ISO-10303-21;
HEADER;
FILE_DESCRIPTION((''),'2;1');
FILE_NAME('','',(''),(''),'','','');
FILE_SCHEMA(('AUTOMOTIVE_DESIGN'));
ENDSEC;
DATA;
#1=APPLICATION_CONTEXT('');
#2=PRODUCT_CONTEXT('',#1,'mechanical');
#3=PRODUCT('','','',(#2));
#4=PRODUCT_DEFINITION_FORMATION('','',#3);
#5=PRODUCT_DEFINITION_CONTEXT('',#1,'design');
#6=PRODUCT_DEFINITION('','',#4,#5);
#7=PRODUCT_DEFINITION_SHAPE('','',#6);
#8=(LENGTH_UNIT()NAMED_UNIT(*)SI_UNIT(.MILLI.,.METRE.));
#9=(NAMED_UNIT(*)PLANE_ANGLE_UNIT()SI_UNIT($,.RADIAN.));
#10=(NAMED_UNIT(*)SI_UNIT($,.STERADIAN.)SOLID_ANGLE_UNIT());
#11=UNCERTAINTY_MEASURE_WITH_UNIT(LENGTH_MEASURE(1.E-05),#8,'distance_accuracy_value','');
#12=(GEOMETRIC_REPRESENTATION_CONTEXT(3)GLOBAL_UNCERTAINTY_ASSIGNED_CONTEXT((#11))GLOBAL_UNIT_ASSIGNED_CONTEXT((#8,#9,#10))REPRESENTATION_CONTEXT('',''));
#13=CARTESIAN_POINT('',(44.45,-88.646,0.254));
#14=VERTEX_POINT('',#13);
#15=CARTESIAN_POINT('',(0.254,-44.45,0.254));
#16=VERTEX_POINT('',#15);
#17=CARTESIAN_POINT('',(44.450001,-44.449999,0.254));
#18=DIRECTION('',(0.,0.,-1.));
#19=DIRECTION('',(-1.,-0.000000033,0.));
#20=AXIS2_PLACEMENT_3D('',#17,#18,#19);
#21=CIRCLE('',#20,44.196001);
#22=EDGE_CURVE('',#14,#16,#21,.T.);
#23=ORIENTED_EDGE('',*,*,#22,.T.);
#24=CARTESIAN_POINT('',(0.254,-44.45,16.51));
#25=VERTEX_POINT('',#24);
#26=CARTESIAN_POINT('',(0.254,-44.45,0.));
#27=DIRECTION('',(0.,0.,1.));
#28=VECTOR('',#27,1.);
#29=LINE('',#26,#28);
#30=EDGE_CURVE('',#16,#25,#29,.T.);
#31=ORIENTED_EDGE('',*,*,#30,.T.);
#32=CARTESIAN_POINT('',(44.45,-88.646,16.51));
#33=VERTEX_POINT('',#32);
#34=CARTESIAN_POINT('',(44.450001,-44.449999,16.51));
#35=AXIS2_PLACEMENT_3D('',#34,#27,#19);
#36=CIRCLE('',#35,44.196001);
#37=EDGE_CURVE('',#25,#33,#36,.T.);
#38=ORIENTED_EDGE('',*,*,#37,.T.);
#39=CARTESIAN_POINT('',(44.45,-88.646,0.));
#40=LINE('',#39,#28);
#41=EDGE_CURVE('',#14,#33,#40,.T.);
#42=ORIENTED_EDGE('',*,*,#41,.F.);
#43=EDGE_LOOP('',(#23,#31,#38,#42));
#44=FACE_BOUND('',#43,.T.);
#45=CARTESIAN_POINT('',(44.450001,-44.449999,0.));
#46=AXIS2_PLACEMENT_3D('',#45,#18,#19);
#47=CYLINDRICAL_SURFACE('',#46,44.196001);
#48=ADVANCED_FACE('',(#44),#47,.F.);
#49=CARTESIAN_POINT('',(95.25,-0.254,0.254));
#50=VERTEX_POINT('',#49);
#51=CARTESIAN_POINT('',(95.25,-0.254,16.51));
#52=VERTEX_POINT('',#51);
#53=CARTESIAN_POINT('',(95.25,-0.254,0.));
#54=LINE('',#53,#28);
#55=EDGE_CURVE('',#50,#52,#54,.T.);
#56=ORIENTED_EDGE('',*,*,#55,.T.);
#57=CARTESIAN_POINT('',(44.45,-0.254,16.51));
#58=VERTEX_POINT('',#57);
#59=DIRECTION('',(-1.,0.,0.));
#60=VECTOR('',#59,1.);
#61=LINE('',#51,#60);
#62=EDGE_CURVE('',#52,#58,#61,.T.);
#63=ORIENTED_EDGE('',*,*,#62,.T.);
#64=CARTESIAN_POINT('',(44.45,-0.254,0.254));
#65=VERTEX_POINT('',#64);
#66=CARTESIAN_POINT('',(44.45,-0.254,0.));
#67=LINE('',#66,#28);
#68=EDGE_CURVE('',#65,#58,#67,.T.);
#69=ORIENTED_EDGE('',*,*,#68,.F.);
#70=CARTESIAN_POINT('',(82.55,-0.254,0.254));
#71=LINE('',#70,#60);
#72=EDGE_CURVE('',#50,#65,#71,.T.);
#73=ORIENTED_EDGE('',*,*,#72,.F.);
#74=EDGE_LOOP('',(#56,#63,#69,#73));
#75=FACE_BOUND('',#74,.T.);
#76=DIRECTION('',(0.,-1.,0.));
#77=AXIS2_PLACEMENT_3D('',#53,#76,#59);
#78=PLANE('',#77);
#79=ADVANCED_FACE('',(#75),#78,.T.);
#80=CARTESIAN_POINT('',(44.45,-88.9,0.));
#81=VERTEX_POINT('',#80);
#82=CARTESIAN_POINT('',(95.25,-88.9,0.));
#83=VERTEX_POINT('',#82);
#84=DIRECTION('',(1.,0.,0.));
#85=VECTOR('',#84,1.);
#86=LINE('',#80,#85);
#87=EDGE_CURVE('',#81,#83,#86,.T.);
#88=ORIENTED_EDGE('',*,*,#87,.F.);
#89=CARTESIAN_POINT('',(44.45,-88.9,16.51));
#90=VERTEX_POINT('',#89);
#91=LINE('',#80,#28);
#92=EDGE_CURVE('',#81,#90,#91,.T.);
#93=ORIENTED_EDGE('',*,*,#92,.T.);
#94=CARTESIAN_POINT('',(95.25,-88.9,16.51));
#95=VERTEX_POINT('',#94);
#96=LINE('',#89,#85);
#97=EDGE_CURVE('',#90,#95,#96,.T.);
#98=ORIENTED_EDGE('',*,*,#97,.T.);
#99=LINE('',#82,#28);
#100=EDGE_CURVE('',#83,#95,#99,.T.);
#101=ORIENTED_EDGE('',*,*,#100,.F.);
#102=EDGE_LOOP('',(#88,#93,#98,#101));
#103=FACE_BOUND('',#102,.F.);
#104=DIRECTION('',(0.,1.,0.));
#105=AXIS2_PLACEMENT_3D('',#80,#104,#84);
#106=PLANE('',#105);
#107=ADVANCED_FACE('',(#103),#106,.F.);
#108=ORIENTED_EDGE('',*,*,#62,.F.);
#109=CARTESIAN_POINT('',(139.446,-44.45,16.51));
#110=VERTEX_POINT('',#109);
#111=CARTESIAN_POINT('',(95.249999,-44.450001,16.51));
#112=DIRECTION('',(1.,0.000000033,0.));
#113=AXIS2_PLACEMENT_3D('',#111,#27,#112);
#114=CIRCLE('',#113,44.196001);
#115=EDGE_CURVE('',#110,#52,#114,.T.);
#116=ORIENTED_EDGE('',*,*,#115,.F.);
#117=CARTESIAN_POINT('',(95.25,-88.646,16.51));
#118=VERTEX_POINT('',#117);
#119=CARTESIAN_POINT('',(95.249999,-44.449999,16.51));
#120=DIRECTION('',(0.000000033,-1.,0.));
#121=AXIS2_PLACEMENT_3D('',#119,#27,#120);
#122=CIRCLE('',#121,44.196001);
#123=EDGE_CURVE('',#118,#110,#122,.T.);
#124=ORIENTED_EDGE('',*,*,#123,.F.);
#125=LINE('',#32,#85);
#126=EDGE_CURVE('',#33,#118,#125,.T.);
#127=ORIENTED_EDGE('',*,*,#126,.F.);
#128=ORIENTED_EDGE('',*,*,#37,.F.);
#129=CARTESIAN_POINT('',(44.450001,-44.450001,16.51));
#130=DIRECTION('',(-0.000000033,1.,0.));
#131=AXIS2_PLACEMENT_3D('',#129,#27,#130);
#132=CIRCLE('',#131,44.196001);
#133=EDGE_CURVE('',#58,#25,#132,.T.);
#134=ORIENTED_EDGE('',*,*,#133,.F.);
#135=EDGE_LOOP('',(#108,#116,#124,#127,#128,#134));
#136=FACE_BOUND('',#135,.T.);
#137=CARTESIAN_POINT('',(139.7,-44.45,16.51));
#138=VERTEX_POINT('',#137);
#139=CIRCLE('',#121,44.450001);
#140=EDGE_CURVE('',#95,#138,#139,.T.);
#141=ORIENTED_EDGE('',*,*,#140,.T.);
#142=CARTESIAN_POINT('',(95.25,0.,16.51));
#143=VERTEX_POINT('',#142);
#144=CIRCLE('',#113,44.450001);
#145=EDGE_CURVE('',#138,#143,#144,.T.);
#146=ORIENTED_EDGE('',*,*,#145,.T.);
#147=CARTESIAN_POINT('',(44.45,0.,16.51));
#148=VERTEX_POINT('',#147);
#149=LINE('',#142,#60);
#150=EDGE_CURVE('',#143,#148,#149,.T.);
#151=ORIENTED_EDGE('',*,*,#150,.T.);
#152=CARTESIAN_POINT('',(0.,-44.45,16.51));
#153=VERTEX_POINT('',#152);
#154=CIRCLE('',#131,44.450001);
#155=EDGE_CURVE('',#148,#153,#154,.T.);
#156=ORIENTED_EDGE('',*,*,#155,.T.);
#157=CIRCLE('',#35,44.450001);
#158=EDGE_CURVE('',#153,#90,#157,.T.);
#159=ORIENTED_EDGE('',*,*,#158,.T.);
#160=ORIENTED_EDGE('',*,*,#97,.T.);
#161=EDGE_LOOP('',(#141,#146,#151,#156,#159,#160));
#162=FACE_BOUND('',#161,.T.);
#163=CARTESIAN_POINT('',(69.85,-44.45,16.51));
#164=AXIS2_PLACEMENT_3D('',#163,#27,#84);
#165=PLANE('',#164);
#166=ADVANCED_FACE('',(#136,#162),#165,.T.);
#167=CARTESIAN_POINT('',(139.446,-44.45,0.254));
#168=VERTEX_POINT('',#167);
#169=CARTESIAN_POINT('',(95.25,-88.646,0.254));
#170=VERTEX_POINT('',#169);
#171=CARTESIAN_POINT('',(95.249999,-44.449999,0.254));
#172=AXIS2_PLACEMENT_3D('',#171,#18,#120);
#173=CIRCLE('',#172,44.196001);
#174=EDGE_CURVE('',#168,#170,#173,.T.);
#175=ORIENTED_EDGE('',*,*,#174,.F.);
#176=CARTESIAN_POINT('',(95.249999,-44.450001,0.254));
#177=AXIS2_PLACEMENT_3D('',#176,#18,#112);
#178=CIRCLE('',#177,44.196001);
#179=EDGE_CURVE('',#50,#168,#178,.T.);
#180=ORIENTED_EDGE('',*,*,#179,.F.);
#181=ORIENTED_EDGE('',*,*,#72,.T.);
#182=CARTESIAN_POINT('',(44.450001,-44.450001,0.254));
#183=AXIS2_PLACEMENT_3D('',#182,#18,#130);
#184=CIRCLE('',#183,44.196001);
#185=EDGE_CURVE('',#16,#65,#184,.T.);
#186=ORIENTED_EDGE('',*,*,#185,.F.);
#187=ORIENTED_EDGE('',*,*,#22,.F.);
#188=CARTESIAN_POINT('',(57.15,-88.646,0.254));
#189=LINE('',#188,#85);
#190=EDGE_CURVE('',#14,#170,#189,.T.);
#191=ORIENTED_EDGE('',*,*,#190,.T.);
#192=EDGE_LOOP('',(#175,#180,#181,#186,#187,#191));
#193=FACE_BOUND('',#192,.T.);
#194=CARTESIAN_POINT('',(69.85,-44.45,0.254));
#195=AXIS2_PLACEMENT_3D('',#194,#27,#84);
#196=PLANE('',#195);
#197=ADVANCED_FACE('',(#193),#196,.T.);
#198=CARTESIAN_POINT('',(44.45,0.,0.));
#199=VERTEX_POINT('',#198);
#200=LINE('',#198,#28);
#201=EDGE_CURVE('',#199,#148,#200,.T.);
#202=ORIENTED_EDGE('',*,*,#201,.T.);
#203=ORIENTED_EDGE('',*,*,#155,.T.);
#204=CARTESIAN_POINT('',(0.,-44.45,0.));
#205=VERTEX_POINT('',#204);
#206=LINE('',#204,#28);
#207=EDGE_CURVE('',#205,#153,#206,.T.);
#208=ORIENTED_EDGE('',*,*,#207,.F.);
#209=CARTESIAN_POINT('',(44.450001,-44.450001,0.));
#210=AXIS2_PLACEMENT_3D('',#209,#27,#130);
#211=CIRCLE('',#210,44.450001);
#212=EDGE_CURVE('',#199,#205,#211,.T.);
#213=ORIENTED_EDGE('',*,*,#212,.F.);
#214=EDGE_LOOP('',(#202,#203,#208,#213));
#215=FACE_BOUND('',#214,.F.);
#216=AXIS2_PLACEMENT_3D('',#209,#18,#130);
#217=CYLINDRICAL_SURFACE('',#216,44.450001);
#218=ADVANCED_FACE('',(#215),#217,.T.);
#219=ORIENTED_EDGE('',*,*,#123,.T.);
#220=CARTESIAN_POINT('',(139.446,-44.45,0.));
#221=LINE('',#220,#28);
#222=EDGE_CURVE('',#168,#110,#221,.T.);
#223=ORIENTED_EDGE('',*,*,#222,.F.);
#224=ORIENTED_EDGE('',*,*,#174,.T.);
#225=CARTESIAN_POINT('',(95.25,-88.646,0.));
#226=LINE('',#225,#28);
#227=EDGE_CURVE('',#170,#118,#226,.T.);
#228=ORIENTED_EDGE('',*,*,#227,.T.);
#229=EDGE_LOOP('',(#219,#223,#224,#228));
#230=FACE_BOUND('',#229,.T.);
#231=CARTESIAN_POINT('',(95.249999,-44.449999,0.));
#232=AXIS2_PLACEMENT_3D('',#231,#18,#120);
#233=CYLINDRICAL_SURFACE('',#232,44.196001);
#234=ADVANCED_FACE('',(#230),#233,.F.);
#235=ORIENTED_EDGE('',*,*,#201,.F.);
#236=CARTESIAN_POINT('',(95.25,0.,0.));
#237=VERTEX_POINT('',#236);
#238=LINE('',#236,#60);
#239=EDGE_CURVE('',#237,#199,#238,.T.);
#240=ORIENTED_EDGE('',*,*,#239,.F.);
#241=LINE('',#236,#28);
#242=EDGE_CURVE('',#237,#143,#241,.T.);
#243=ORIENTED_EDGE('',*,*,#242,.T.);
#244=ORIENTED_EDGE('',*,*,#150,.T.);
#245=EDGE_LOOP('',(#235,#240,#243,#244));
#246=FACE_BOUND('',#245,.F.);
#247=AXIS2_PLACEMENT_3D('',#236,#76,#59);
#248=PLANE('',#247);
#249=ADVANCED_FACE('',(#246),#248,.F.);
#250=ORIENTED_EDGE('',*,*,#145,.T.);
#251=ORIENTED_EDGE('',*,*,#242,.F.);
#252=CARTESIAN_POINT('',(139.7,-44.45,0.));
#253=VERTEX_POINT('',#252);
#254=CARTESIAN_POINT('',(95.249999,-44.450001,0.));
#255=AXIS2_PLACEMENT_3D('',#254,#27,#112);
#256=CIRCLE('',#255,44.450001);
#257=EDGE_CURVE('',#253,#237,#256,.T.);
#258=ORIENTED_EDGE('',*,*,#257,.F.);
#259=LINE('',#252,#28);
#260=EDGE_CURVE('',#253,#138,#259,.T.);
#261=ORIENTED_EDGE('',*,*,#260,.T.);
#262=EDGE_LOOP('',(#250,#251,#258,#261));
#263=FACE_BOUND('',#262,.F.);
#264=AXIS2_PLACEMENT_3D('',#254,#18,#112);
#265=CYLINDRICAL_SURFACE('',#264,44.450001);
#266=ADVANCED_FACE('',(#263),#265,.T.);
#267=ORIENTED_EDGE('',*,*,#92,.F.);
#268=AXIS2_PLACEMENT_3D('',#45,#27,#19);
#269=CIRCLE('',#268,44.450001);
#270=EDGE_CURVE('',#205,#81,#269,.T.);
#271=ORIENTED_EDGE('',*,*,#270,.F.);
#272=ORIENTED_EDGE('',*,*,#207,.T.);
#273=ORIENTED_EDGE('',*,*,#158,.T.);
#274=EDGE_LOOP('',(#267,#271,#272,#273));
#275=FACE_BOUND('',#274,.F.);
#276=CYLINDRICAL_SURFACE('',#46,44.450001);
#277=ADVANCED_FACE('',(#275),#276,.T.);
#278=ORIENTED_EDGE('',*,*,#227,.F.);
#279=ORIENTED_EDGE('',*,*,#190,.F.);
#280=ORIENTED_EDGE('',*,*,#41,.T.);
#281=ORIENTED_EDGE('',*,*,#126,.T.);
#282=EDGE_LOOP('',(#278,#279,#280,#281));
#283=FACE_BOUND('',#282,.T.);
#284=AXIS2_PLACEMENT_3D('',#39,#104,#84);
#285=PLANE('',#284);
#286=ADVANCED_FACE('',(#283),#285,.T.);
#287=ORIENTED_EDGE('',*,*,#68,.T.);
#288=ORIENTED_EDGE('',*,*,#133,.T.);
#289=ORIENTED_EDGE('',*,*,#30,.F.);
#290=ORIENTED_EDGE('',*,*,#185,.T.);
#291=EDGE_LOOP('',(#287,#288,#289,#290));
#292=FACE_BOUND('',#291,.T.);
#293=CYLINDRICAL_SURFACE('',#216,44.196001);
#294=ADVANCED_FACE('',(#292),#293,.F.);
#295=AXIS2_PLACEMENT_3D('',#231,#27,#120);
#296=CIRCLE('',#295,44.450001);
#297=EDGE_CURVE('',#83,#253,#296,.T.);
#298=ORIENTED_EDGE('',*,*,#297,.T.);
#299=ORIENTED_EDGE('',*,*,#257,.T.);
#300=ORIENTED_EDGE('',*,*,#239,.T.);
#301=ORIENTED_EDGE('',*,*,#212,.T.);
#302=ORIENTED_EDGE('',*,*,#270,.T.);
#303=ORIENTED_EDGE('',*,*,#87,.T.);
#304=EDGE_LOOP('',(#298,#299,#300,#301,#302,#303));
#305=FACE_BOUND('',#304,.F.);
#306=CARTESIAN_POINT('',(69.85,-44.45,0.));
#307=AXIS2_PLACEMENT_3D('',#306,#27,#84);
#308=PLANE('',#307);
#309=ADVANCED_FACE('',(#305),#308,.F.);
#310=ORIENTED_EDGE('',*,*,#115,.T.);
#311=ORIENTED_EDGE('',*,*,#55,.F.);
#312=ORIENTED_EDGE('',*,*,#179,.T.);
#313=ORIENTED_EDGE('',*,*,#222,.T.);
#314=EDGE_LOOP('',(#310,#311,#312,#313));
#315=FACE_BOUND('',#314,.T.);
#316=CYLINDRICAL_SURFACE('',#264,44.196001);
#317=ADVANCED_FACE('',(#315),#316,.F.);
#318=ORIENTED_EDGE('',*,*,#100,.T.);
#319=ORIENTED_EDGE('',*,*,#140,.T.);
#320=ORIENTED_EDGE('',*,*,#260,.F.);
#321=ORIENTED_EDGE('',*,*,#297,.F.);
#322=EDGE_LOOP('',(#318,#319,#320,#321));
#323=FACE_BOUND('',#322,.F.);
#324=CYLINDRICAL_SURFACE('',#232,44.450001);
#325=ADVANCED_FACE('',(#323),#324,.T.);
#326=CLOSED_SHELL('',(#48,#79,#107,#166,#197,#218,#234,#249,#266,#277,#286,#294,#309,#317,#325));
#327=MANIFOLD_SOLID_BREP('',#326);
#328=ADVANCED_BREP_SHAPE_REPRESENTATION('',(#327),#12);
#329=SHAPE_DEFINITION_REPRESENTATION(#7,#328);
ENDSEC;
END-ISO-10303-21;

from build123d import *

# Parameters (mm, degrees)
F1_DEPTH = 16.51
F2_T     = -0.254


with BuildPart() as f1:
    # F0 (on Top) → F1 (new body)
    with BuildSketch(Plane.XY):
        with BuildLine():
            Line((95.25, 0), (44.45, 0))
            ThreePointArc((44.45, 0), (13.019104, -13.019104), (0, -44.45))
            ThreePointArc((0, -44.45), (13.019104, -75.880896), (44.45, -88.9))
            Line((44.45, -88.9), (95.25, -88.9))
            ThreePointArc((95.25, -88.9), (126.680896, -75.880896), (139.7, -44.45))
            ThreePointArc((139.7, -44.45), (126.680896, -13.019104), (95.25, 0))
        make_face()
    extrude(amount=F1_DEPTH)

    # F2
    f2_openings = [f1.faces().sort_by_distance(p)[0] for p in [
        (69.85, -44.45, 16.51),
    ]]
    offset(amount=F2_T, openings=f2_openings)


solid = f1.part
